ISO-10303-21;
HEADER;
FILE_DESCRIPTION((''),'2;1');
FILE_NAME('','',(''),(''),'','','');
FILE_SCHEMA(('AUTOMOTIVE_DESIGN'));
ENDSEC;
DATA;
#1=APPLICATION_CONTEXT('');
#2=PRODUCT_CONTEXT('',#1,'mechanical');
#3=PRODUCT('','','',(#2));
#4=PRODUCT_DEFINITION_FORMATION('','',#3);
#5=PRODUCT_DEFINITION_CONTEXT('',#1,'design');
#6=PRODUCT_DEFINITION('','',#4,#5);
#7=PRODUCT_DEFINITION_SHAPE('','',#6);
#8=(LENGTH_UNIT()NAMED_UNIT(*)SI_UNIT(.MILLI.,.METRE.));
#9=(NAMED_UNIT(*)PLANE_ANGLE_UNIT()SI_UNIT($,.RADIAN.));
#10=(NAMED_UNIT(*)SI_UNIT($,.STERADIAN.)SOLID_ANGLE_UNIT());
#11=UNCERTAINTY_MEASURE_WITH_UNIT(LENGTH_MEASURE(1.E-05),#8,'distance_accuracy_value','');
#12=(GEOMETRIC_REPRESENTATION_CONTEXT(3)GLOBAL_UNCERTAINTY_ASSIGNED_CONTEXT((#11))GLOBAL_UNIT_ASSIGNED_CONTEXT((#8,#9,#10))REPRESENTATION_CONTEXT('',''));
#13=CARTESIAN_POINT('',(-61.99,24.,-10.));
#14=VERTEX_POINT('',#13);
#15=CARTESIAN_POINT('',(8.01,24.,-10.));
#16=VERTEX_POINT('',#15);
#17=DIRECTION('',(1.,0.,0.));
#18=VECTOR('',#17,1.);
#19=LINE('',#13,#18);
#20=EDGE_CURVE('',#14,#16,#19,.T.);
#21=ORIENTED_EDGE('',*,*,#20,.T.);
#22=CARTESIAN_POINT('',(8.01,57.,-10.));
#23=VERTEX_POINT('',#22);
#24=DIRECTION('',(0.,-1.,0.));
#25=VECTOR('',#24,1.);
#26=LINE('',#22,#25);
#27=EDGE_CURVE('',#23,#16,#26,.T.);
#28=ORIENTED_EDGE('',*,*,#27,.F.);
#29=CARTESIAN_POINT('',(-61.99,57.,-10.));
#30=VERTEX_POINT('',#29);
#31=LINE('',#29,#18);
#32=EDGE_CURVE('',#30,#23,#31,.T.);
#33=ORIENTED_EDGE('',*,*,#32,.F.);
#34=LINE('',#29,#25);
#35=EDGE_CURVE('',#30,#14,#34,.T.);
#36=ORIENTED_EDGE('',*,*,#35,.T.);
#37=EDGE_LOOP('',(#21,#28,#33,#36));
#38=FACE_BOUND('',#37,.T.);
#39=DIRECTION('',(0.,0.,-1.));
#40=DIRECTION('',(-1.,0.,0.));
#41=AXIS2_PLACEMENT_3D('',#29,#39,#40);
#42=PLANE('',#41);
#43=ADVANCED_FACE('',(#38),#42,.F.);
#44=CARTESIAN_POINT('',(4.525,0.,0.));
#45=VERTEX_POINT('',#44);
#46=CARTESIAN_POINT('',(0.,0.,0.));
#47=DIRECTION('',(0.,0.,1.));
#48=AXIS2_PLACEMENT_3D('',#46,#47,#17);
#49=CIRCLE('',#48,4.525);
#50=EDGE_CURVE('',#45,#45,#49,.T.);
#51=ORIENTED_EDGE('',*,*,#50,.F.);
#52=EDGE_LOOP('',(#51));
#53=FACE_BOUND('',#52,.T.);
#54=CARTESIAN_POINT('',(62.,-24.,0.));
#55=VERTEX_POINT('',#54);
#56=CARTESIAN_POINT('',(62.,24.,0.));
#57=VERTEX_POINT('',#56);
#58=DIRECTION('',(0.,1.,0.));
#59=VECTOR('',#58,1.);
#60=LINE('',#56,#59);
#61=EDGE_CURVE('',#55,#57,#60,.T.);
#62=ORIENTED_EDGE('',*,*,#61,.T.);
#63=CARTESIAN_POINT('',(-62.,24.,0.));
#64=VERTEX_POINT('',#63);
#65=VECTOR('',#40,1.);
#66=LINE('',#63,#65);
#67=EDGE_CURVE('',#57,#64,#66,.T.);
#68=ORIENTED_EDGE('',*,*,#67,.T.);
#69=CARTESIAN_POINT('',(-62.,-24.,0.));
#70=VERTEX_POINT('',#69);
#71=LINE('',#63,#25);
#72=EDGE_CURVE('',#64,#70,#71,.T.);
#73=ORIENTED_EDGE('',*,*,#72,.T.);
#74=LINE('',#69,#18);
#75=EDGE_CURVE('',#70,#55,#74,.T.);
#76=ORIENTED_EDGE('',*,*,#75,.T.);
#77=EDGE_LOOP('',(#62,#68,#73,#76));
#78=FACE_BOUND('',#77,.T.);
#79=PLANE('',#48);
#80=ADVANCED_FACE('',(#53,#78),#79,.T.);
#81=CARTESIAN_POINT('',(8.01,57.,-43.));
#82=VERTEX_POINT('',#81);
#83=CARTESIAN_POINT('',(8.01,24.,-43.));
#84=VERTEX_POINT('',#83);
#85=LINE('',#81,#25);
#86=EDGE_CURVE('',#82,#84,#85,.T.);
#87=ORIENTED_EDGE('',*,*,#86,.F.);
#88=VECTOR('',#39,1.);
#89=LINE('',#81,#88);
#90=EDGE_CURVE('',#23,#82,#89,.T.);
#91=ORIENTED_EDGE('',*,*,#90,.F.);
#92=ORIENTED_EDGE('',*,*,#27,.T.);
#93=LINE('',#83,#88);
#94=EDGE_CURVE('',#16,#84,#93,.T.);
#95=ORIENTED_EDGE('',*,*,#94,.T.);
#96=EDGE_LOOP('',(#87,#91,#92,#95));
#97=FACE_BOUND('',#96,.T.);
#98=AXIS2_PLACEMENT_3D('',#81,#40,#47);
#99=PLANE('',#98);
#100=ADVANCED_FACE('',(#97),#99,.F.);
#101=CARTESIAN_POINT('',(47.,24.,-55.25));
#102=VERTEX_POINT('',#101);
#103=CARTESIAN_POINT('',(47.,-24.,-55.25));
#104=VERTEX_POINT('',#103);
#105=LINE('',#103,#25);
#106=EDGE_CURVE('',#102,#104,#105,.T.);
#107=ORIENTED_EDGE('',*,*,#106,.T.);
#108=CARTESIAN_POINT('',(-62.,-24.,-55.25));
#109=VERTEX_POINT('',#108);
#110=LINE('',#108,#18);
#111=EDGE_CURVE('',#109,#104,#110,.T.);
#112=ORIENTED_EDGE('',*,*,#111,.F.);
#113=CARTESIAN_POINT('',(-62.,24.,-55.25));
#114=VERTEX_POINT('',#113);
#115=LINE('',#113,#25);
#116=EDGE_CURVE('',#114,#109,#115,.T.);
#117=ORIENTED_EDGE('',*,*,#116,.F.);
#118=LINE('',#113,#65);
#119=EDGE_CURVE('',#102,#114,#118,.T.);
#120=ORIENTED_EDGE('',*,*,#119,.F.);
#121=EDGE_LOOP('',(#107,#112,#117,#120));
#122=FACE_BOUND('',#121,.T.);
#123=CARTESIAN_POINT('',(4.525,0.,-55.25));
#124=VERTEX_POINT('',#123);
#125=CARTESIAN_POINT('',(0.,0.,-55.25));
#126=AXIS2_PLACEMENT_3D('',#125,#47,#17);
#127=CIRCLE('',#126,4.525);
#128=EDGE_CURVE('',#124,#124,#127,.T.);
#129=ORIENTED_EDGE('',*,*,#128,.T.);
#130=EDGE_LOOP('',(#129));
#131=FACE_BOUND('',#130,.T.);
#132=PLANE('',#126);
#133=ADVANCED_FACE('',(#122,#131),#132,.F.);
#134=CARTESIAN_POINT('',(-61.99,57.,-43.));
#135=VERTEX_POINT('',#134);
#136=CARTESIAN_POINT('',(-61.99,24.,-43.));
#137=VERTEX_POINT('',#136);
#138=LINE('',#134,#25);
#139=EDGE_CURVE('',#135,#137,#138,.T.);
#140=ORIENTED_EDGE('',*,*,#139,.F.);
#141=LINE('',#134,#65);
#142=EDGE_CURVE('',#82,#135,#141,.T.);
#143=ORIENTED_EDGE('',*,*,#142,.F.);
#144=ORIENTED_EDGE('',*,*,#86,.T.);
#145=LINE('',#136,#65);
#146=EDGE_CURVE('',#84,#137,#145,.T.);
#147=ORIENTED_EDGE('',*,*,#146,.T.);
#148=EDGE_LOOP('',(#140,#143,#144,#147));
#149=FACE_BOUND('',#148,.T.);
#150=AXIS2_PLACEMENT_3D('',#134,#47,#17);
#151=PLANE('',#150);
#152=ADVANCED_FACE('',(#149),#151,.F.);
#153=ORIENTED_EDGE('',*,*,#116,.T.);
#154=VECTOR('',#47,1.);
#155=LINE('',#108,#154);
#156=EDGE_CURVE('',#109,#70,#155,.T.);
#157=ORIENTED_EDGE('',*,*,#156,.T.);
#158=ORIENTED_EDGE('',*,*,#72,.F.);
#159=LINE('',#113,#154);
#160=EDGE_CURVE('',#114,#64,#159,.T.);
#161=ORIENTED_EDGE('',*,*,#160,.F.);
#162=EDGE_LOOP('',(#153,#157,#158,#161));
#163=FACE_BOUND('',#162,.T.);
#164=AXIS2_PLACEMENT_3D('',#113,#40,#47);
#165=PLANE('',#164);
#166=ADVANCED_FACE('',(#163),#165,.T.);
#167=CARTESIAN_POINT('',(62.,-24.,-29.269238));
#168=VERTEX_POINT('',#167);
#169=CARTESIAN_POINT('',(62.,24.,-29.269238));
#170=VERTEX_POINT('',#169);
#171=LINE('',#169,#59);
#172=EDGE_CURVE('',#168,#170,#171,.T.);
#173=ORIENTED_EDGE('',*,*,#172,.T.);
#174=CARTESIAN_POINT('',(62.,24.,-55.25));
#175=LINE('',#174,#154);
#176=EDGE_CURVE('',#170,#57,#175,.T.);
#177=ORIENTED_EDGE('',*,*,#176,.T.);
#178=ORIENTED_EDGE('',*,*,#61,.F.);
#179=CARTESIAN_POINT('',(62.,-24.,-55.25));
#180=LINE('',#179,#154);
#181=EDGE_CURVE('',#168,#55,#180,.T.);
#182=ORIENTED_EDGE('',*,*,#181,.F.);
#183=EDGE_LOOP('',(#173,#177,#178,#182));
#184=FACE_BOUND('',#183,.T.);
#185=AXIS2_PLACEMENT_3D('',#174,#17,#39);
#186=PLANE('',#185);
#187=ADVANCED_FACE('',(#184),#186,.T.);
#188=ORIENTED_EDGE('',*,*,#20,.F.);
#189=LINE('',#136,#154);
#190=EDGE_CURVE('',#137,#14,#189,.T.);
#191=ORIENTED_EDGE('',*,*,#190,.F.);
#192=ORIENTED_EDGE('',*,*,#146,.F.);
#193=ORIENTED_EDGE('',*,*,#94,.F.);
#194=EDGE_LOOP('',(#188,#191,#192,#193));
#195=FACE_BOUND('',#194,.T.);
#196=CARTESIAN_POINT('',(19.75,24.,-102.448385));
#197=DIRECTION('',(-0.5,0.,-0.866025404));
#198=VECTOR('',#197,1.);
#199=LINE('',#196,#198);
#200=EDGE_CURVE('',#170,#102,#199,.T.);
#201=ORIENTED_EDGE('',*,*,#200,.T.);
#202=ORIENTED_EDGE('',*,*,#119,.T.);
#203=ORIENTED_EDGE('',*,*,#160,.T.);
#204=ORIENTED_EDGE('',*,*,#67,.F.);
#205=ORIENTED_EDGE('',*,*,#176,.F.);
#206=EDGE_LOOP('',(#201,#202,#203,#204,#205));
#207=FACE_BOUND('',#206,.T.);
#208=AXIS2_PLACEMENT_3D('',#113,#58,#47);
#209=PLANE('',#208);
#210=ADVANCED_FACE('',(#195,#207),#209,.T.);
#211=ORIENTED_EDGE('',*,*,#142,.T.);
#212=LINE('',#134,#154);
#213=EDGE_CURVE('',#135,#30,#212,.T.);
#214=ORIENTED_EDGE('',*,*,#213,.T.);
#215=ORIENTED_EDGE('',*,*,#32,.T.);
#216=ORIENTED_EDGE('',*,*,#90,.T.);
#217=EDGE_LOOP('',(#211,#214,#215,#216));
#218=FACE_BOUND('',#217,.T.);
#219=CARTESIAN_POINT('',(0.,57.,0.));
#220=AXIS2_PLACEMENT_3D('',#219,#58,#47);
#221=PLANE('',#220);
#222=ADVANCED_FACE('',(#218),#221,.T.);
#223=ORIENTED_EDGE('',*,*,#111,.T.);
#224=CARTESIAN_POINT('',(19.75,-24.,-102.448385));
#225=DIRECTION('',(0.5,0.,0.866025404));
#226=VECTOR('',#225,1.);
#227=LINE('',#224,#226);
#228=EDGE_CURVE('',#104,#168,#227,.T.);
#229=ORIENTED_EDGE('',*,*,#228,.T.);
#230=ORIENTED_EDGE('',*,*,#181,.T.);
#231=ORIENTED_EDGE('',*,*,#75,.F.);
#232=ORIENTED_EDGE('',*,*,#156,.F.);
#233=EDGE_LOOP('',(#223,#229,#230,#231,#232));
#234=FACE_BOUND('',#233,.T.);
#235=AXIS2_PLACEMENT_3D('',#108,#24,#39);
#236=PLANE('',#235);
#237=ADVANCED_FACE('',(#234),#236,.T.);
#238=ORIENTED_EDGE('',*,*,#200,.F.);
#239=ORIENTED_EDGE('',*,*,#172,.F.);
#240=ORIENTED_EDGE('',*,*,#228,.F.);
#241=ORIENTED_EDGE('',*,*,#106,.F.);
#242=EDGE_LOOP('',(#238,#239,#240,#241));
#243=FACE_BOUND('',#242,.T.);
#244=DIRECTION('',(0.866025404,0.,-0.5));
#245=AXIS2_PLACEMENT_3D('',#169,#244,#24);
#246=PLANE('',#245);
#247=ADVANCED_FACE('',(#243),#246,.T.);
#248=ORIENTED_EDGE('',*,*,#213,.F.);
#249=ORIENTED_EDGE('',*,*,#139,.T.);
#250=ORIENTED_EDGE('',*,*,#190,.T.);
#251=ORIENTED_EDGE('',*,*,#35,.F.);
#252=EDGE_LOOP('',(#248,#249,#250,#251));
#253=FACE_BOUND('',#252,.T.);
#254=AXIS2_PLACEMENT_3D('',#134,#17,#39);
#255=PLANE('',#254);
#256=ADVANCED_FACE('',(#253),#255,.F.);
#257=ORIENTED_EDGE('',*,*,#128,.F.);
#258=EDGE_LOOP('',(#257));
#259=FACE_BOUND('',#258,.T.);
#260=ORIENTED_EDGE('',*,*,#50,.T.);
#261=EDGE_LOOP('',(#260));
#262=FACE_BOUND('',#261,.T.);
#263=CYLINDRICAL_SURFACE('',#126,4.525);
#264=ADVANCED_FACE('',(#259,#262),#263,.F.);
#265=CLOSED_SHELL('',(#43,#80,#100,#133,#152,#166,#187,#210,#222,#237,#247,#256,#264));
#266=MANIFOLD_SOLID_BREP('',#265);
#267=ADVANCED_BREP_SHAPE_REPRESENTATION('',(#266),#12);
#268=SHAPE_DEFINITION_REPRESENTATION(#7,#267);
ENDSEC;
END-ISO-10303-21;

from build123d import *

# Parameters (mm, degrees)
SKETCH1_W           = 124
SKETCH1_H           = 48
SKETCH1_R           = 4.525
BOSS_EXTRUDE1_DEPTH = 55.25
SKETCH2_W           = 70
SKETCH2_H           = 33
BOSS_EXTRUDE2_DEPTH = 33
CHAMFER1_SIZE       = 15
CHAMFER1_SIZE2      = 25.980762114


with BuildPart() as part:
    # Sketch1 → Boss-Extrude1 (new body)
    with BuildSketch(Plane.XY):
        Rectangle(SKETCH1_W, SKETCH1_H)
        Circle(SKETCH1_R, mode=Mode.SUBTRACT)
    extrude(amount=-BOSS_EXTRUDE1_DEPTH)

    # Sketch2 → Boss-Extrude2 (add)
    with BuildSketch(Plane(origin=(0, 24, 0), x_dir=(1, 0, 0), z_dir=(0, 1, 0))):
        with Locations((-26.99, 26.5)):
            Rectangle(SKETCH2_W, SKETCH2_H)
    extrude(amount=BOSS_EXTRUDE2_DEPTH)

    # Chamfer1
    chamfer1_edges = [part.edges().sort_by_distance(p)[0] for p in [
        (62, 0, -55.25),
    ]]
    chamfer1_side = [part.faces().sort_by_distance(p)[0] for p in [
        (0, 22.670338389, -55.25),
    ]]
    chamfer(chamfer1_edges, length=CHAMFER1_SIZE, length2=CHAMFER1_SIZE2, reference=chamfer1_side[0])


solid = part.part
